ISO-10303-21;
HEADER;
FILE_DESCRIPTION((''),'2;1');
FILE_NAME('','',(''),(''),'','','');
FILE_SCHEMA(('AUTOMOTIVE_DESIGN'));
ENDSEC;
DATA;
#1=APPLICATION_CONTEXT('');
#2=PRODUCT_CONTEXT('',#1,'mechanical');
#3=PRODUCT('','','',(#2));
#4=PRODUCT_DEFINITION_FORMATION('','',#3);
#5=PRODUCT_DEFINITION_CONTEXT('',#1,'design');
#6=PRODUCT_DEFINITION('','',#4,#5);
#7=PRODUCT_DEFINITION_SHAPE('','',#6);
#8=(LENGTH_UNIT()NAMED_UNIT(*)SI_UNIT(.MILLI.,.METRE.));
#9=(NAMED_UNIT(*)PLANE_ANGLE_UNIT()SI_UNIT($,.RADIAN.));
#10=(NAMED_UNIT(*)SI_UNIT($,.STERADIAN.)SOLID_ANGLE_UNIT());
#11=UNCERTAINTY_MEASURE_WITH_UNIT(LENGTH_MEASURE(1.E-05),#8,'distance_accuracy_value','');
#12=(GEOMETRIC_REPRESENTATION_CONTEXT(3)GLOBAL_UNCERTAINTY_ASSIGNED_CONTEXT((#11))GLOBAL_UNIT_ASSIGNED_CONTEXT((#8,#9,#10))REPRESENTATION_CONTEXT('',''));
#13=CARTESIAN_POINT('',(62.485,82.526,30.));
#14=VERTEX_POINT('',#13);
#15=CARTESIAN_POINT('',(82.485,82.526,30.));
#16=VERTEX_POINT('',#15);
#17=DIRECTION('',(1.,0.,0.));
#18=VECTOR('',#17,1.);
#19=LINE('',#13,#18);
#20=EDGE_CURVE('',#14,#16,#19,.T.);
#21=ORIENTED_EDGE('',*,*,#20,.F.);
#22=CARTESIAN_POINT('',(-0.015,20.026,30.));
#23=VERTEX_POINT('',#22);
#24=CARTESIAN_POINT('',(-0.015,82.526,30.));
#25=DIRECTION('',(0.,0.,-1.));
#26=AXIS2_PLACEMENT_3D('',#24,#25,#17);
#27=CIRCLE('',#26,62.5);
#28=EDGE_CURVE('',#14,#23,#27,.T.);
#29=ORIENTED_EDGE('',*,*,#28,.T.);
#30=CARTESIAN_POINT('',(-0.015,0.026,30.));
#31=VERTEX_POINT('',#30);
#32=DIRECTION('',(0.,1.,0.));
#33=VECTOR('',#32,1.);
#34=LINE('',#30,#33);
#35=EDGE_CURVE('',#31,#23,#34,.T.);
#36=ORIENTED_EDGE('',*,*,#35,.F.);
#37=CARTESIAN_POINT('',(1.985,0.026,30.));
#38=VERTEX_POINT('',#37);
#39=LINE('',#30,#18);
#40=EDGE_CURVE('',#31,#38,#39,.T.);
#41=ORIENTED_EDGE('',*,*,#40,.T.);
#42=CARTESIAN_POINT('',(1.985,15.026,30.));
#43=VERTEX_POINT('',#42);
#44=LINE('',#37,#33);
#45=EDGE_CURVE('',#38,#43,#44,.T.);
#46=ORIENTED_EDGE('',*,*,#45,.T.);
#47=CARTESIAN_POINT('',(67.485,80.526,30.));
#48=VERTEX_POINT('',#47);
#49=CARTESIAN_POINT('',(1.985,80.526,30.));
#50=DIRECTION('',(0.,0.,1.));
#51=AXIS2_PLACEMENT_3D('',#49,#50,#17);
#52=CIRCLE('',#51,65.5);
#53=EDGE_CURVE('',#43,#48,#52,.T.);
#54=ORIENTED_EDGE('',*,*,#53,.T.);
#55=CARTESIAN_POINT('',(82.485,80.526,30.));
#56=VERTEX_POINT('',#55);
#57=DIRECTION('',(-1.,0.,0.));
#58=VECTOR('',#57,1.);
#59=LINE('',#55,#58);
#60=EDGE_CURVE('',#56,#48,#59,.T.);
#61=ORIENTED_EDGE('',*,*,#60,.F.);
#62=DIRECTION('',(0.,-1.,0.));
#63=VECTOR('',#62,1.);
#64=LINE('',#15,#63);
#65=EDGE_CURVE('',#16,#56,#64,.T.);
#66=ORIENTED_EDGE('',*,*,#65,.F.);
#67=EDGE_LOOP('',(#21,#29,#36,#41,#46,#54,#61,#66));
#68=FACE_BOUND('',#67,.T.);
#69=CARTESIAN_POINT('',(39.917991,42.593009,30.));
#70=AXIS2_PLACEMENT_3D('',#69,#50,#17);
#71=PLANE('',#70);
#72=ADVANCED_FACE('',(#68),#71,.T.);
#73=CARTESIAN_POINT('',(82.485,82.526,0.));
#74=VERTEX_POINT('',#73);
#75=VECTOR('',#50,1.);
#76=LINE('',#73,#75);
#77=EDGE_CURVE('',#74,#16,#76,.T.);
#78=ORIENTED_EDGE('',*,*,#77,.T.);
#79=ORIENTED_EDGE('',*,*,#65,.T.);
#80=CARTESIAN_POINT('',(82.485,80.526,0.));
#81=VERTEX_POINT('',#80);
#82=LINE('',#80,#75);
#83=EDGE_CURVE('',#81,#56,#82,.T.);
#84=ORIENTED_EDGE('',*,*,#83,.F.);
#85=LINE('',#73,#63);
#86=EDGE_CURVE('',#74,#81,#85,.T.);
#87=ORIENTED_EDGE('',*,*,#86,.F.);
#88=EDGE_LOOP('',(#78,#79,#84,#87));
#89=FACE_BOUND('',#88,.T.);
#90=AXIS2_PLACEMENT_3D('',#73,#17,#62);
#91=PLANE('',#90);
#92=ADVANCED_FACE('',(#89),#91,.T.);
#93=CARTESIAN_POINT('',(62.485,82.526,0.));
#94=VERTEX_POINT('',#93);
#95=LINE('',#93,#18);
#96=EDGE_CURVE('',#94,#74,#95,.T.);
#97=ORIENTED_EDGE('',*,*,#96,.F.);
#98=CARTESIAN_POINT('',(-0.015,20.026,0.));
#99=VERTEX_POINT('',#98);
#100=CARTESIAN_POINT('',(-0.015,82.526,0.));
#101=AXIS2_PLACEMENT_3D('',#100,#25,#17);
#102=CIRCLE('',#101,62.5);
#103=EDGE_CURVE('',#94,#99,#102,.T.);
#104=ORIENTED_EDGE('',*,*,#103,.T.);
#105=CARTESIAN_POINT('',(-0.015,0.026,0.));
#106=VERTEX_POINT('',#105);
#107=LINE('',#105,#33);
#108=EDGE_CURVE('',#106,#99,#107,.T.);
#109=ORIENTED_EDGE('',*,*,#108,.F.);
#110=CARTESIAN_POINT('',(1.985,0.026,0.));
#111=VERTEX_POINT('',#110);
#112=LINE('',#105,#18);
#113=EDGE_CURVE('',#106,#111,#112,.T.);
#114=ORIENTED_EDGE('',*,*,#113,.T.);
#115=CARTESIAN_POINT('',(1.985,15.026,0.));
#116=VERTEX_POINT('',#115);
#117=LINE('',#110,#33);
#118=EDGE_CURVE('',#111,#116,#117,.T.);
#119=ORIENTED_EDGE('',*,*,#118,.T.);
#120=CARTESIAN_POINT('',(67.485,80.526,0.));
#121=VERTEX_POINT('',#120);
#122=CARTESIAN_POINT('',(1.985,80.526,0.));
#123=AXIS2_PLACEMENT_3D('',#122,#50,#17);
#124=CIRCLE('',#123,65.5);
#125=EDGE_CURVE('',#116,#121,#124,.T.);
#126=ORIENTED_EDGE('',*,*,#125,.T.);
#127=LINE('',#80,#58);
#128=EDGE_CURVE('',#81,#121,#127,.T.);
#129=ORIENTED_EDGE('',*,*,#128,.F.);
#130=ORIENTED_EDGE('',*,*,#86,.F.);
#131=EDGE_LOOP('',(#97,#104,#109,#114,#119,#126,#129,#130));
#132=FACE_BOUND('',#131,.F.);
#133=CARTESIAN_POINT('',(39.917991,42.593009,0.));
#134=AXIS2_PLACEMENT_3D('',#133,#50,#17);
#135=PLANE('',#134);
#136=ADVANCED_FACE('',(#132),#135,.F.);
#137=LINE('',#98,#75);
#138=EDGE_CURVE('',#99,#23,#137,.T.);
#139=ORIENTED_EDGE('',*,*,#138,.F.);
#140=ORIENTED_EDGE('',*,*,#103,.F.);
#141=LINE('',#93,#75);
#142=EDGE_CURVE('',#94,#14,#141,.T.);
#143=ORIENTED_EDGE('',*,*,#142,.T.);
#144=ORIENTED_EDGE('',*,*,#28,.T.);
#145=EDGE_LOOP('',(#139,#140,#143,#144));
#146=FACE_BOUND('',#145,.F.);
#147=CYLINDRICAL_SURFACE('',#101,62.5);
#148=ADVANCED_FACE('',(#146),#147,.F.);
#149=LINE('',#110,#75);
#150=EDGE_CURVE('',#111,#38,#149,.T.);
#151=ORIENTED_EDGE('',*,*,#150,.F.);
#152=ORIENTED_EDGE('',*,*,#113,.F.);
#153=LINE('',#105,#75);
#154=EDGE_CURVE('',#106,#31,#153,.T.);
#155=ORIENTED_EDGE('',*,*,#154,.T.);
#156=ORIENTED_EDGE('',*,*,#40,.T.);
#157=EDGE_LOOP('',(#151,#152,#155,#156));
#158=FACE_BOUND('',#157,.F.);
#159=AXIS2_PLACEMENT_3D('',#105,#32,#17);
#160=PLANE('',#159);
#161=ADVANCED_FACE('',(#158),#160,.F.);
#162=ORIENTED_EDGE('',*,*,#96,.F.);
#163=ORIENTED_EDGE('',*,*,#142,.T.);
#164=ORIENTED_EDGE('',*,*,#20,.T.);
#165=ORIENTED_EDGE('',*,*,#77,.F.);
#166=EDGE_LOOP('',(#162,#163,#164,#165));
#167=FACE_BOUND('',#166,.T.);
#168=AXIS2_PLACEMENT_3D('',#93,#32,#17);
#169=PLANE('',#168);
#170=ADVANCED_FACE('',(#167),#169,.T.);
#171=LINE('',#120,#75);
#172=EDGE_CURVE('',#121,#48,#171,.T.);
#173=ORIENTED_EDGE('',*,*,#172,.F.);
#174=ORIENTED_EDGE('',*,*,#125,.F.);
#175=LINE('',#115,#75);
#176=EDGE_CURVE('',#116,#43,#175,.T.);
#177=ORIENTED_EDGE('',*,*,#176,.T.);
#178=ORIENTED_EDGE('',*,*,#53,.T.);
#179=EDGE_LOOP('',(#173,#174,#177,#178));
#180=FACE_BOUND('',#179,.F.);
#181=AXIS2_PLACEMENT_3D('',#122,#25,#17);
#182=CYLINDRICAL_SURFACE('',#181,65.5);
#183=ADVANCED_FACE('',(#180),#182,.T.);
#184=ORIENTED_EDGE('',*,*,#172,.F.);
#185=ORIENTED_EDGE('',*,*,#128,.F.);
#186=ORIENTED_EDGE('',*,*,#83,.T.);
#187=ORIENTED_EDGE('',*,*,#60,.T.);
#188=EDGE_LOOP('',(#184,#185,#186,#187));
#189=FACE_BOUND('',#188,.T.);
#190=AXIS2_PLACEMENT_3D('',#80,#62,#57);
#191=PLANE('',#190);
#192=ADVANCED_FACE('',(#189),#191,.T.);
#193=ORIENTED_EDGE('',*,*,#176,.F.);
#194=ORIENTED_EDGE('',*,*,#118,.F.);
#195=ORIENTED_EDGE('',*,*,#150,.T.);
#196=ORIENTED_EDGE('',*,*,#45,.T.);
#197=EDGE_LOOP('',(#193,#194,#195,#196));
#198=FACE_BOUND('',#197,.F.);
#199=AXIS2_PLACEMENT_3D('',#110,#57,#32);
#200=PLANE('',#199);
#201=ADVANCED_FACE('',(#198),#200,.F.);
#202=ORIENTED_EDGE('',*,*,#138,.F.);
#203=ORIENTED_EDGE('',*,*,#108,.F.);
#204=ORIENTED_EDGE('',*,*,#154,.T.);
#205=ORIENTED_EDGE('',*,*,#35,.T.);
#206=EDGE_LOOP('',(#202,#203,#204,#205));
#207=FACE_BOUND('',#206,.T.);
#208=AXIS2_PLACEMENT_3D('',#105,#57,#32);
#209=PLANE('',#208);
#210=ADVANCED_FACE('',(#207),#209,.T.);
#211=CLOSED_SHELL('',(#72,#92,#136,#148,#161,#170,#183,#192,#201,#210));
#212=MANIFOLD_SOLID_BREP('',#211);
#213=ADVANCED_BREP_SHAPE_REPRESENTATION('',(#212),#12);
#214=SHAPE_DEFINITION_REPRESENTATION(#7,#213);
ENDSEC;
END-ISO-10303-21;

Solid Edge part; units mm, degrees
sketch "Sketch1" plane through (0, 0, 0) normal (0, 0, 1) x (1, 0, 0)
  line L0 (-0.015, 0.026) -> (1.985, 0.026)
  line L1 (1.985, 0.026) -> (1.985, 15.026)
  arc A0 (1.985, 15.026) -> (67.485, 80.526) centre (1.985, 80.526) ccw
  line L2 (82.485, 80.526) -> (67.485, 80.526)
  line L3 (82.485, 82.526) -> (82.485, 80.526)
  line L4 (62.485, 82.526) -> (82.485, 82.526)
  arc A1 (62.485, 82.526) -> (-0.015, 20.026) centre (-0.015, 82.526) cw
  line L5 (-0.015, 0.026) -> (-0.015, 20.026)
extrude "Protrusion1" add sketch "Sketch1" along normal blind 30
extrude "ExtrudedCutout_1" [suppressed]
